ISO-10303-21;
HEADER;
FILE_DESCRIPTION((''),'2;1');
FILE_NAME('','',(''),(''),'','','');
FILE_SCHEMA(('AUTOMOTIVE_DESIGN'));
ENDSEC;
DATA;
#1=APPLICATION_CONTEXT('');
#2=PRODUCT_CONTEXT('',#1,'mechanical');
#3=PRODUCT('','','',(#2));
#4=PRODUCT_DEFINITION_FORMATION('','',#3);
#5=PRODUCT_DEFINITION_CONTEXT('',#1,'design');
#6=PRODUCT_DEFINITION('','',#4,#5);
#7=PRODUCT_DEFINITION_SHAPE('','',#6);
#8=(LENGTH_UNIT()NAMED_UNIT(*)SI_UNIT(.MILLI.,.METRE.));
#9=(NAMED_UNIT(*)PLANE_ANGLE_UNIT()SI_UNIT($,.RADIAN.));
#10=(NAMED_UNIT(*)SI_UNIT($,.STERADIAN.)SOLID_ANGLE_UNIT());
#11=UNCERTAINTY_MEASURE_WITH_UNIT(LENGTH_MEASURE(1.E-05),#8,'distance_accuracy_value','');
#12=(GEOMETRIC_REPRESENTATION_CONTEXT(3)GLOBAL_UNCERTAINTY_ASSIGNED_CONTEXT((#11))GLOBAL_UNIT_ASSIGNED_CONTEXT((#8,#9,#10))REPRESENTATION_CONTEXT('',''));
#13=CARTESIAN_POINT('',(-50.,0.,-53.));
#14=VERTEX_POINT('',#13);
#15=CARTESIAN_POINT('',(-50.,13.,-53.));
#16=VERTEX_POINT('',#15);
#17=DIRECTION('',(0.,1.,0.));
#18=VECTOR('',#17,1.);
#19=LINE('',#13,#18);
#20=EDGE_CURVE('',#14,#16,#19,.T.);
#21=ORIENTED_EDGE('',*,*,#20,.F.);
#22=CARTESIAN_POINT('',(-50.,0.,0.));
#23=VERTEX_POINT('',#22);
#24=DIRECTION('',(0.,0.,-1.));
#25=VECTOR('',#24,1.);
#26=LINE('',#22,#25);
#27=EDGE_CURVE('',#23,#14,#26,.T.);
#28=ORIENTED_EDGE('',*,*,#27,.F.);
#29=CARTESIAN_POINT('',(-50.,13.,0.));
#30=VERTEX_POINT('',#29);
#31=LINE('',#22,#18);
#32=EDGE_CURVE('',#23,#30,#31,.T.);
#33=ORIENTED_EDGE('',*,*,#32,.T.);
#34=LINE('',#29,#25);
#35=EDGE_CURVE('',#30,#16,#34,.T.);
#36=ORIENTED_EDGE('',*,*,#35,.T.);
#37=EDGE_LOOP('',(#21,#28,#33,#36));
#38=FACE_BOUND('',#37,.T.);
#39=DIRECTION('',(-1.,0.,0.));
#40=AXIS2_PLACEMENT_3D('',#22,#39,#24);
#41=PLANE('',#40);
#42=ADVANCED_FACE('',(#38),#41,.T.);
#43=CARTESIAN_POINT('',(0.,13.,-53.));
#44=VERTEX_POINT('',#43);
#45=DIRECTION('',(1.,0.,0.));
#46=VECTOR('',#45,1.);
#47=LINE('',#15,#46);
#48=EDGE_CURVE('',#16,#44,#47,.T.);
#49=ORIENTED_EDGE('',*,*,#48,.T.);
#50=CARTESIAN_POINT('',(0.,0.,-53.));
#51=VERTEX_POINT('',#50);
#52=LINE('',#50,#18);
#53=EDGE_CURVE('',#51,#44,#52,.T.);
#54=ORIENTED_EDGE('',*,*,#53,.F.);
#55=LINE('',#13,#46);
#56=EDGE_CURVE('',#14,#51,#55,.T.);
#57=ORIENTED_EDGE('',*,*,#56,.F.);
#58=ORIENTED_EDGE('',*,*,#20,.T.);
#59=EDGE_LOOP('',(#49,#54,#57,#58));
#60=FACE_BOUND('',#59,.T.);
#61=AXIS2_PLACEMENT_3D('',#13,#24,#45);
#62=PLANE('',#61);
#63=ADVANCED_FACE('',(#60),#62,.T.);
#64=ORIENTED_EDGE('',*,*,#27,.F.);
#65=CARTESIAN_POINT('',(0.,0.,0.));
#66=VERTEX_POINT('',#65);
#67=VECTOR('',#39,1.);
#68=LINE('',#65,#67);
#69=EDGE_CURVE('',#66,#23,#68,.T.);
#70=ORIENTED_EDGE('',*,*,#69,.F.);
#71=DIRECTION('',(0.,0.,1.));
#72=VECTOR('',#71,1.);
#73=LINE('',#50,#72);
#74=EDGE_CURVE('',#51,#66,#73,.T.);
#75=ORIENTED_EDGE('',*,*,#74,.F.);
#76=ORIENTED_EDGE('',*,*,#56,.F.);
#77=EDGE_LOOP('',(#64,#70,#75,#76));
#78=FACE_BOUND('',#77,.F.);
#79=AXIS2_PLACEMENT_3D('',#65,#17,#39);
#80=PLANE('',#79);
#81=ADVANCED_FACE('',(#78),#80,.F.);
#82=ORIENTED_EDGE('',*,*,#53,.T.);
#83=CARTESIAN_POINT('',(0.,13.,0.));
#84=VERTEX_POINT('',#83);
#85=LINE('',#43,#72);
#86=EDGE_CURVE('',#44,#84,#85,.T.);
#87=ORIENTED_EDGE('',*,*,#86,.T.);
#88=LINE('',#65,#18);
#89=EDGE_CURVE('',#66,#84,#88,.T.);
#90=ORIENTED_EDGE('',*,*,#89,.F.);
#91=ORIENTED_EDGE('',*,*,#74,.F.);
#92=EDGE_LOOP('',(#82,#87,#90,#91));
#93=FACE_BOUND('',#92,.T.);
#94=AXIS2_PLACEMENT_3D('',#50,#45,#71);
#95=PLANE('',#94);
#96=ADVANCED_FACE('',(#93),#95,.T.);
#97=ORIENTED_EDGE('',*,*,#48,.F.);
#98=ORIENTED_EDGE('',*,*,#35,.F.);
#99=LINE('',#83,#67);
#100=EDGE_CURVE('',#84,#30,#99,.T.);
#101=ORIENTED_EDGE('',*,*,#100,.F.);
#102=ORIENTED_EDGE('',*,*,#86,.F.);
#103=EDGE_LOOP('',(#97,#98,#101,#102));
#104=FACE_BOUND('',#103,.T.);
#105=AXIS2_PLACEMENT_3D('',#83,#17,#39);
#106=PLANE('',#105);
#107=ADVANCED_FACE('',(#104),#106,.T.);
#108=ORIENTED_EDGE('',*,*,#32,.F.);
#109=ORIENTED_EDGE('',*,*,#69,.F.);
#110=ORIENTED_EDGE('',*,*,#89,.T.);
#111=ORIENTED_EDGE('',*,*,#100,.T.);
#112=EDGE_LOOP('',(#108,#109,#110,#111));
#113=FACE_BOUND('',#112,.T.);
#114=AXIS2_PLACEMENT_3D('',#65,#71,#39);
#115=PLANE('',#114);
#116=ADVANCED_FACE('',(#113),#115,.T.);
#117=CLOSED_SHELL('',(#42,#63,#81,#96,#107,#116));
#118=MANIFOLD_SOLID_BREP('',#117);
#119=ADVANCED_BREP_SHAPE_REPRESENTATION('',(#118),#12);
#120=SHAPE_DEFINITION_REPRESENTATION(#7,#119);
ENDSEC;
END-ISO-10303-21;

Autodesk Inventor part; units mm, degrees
ref_plane "YZ Plane" through (0, 0, 0) normal (1, 0, 0) x (0, 1, 0)
ref_plane "XZ Plane" through (0, 0, 0) normal (0, 1, 0) x (-1, 0, 0)
ref_plane "XY Plane" through (0, 0, 0) normal (0, 0, 1) x (1, 0, 0)
sketch "Sketch1" plane through (0, 0, 0) normal (0, 1, 0) x (-1, 0, 0)
  line L0 (0, 0) -> (50, 0)
  line L1 (50, 0) -> (50, -53)
  line L2 (50, -53) -> (0, -53)
  line L3 (0, -53) -> (0, 0)
  dimension "d0" = 53
  dimension "d1" = 50
extrude "Extrusion1" add sketch "Sketch1" along normal blind 13
properties part number "Batteryy"
